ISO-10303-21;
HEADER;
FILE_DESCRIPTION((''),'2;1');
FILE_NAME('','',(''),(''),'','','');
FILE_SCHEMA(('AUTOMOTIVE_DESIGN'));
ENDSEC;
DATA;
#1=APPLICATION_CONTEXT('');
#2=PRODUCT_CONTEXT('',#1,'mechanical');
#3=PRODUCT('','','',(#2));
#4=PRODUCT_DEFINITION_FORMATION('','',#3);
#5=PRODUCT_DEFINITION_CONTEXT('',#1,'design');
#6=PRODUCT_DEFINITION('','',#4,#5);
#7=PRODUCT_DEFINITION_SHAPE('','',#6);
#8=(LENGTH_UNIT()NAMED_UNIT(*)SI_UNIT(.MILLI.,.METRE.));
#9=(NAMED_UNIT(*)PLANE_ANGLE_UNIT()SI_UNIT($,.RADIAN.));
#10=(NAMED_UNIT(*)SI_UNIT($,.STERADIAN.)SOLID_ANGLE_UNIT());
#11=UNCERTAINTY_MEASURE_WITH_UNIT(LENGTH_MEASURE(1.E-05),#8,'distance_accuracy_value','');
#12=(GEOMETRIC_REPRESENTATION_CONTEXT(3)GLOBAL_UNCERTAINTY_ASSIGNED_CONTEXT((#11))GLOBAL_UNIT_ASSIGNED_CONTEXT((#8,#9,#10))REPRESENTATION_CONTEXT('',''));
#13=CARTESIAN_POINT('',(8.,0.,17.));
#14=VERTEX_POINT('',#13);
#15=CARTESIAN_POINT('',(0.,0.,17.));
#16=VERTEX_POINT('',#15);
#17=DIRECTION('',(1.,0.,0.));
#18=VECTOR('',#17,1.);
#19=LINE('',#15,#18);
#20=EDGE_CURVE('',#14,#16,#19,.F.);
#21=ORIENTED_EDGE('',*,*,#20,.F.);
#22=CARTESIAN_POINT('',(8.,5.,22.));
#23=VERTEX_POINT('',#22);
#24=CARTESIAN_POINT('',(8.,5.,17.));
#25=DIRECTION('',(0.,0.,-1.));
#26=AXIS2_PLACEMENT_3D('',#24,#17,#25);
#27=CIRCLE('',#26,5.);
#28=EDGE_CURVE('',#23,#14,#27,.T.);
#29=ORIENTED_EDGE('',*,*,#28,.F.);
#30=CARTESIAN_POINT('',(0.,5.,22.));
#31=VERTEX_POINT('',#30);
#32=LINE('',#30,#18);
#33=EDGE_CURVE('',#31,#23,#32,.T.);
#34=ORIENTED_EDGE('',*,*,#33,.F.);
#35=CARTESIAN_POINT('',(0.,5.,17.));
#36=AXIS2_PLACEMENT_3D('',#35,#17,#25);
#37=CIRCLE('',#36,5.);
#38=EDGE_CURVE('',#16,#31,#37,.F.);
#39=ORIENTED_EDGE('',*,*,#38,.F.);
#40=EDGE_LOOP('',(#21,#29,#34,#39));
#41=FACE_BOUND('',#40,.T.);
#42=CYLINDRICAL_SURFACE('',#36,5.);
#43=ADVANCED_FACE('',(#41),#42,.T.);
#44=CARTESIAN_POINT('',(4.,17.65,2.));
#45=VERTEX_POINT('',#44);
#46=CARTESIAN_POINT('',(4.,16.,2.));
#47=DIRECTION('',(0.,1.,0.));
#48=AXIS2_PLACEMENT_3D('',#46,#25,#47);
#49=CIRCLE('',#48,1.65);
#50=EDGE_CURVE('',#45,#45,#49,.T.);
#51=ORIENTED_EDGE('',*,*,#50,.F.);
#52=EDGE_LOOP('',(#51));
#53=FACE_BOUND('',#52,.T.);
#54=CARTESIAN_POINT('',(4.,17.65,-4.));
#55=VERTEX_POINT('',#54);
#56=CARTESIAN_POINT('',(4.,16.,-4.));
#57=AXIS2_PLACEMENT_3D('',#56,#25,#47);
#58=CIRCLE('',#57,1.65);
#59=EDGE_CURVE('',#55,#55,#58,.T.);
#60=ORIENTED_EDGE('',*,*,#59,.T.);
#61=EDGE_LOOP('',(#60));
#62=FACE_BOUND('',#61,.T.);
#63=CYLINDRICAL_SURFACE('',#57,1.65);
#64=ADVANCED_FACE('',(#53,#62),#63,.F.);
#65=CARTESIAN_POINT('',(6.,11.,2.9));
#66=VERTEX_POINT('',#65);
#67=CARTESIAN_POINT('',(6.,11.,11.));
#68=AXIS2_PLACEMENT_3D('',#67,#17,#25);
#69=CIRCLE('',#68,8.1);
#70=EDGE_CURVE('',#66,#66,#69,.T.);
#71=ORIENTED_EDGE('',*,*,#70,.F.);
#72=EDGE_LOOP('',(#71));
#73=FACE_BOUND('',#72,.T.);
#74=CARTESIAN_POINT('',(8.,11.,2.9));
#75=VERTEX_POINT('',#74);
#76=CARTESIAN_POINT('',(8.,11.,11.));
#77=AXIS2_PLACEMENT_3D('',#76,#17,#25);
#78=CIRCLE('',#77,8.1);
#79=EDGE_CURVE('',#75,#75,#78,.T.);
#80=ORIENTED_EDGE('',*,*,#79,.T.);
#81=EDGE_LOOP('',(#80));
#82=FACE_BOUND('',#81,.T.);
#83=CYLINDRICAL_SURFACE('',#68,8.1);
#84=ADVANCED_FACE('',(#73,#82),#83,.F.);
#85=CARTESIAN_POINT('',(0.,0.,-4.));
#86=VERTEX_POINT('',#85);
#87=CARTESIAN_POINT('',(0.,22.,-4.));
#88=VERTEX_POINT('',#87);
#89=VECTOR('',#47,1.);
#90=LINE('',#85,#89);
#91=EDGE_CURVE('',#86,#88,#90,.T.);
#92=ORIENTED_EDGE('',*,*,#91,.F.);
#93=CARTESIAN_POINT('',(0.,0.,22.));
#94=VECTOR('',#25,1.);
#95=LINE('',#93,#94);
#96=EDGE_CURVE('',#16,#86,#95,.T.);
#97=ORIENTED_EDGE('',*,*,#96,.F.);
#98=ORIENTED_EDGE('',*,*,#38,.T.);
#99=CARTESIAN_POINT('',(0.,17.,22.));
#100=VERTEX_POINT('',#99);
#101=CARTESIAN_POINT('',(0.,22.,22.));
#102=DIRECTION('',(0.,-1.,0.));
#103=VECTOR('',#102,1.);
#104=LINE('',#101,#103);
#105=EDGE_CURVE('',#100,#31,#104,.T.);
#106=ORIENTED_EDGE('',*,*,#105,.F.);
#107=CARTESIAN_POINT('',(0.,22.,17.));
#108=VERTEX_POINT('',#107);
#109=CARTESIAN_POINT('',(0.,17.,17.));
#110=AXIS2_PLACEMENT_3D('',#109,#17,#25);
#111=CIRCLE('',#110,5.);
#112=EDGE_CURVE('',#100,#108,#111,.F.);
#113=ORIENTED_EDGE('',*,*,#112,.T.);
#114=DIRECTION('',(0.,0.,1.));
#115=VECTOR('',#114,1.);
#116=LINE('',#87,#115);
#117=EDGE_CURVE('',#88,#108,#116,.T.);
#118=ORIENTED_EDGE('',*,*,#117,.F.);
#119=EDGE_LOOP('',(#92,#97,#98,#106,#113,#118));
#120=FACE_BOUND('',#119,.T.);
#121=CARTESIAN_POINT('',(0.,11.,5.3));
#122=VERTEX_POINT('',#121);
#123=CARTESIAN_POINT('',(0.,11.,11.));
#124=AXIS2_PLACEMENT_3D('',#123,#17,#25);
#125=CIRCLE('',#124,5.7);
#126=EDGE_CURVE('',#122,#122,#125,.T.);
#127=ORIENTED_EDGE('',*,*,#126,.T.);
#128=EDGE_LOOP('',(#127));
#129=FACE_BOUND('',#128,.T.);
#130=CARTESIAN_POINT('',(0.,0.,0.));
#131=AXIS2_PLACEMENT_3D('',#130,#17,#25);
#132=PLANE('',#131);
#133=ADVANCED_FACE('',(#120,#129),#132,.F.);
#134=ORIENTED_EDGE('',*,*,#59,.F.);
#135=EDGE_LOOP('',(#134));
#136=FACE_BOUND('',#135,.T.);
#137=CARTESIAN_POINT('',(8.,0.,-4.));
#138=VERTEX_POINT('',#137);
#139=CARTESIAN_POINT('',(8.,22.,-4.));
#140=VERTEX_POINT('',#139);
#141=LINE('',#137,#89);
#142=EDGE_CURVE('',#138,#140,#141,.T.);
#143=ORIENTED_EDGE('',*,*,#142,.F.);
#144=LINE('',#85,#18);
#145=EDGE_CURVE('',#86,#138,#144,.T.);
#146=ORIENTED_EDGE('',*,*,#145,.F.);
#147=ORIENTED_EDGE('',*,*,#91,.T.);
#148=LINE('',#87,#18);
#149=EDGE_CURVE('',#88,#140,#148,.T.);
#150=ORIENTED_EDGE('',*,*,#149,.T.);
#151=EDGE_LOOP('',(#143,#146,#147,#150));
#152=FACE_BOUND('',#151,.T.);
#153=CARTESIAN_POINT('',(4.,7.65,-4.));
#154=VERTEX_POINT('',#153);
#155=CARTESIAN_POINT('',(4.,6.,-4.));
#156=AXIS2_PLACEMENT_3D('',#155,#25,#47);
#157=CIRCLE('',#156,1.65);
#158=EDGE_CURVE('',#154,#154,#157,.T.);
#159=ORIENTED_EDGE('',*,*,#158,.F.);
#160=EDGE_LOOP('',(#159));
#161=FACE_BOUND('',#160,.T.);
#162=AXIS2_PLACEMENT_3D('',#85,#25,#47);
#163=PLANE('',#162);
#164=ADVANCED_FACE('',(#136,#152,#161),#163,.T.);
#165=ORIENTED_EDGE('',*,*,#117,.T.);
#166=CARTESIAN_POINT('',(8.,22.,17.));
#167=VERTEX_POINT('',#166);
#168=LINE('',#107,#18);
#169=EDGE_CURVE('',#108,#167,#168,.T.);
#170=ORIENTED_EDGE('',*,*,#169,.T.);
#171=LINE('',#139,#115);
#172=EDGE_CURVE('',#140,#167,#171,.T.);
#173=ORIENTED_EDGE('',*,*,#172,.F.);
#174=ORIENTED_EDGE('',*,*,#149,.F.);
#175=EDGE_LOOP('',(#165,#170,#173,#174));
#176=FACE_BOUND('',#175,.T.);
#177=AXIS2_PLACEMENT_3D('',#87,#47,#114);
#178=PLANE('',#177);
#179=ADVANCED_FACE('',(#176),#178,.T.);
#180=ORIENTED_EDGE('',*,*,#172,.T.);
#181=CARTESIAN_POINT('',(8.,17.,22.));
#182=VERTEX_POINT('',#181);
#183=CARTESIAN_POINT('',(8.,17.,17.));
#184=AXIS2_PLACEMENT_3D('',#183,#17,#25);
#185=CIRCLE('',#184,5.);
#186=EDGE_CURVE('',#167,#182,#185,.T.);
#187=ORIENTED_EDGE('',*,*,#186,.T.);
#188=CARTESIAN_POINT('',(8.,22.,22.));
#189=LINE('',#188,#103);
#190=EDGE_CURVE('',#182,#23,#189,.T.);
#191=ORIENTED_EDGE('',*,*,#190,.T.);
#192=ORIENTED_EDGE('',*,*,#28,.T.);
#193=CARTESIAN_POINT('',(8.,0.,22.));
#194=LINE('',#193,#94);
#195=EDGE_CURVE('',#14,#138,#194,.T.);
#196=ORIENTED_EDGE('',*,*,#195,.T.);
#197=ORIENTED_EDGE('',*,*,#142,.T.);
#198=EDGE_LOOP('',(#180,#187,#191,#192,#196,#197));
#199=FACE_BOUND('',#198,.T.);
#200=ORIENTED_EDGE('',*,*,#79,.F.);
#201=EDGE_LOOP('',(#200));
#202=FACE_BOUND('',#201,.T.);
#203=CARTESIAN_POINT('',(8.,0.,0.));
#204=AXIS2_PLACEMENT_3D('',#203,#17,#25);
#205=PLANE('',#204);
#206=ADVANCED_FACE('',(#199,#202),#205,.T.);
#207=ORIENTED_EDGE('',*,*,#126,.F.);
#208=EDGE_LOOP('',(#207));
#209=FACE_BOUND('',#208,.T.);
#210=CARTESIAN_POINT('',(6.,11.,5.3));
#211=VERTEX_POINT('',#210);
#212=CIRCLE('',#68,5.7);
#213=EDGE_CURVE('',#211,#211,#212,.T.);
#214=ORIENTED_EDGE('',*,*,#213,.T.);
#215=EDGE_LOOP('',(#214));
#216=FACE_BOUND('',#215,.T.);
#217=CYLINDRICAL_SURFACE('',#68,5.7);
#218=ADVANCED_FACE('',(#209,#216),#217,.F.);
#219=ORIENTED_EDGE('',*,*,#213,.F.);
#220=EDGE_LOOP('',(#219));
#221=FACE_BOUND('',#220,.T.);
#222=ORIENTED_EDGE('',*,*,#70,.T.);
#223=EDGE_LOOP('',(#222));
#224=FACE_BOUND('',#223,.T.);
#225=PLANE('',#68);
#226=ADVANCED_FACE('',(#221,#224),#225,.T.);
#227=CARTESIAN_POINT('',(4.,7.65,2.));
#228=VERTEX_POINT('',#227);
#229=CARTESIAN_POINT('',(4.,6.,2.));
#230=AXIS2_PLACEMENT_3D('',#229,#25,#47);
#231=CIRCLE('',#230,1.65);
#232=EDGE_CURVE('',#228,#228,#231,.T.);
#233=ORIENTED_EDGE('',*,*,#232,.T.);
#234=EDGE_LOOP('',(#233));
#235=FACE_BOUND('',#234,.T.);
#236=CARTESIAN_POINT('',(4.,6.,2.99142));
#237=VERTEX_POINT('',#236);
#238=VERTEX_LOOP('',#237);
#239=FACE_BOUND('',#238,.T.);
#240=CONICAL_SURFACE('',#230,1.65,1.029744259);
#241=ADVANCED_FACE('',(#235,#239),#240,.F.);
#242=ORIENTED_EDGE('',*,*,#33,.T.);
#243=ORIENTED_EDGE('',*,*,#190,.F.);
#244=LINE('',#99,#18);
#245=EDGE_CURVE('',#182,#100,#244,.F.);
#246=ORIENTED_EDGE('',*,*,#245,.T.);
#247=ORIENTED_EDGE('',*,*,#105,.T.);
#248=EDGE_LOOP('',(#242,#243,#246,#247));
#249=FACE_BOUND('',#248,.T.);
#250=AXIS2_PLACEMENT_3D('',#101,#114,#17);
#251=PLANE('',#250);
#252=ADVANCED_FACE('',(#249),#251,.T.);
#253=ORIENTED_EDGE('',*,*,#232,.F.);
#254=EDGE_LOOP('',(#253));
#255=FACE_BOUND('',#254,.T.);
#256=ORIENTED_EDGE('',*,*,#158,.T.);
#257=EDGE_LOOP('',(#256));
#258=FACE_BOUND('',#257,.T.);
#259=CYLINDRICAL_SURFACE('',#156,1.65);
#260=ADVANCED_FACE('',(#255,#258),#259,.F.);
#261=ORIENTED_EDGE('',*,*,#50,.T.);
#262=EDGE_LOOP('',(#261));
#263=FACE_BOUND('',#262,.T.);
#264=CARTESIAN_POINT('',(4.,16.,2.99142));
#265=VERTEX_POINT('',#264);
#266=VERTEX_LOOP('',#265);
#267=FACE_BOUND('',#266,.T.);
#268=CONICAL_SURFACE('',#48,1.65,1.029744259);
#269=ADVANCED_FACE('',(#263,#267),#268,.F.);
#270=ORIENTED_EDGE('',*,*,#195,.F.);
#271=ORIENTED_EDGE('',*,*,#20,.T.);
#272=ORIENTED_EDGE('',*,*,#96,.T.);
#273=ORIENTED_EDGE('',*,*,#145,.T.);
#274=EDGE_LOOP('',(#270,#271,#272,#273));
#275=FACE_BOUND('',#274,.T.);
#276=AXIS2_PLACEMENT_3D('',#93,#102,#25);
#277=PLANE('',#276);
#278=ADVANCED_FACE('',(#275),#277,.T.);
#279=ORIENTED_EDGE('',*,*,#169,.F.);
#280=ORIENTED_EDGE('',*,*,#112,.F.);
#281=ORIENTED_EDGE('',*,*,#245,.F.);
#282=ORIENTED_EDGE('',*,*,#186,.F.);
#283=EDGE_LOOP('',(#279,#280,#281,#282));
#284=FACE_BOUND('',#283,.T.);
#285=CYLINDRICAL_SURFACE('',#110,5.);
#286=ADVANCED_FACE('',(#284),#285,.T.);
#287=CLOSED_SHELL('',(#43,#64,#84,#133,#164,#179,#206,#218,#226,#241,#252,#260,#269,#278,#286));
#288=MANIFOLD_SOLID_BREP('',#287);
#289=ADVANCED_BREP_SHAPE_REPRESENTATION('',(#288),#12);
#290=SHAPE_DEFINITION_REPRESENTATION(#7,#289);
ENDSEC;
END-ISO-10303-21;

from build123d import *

# Parameters (mm, degrees)
SKETCH1_W                      = 26
SKETCH1_H                      = 22
BOSS_EXTRUDE1_DEPTH            = 8
SKETCH2_R                      = 8.1
CUT_EXTRUDE1_DEPTH             = 2
F_3_3_3_3_DIAMETER_HOLE1_D     = 3.3
F_3_3_3_3_DIAMETER_HOLE1_DEPTH = 6
F_3_3_3_3_DIAMETER_HOLE1_TIP   = 0.991420021
M10_CLEARANCE_HOLE1_D          = 11.4
FILLET1_R                      = 5


with BuildPart() as part:
    # Sketch1 → Boss-Extrude1 (new body)
    with BuildSketch(Plane(origin=(8, 0, 0), x_dir=(0, 0, -1), z_dir=(1, 0, 0))):
        with Locations((-9, 11)):
            Rectangle(SKETCH1_W, SKETCH1_H)
    extrude(amount=-BOSS_EXTRUDE1_DEPTH)

    # Sketch2 → Cut-Extrude1 (cut)
    with BuildSketch(Plane(origin=(8, 0, 0), x_dir=(0, 0, -1), z_dir=(1, 0, 0))):
        with Locations((-11, 11)):
            Circle(SKETCH2_R)
    extrude(amount=-CUT_EXTRUDE1_DEPTH, mode=Mode.SUBTRACT)

    # Ø3.3 (3.3) Diameter Hole1
    with Locations(Plane(origin=(0, 0, -4), x_dir=(-1, 0, 0), z_dir=(0, 0, -1))):
        with Locations((-4, 16), (-4, 6)):
            Hole(F_3_3_3_3_DIAMETER_HOLE1_D / 2, depth=F_3_3_3_3_DIAMETER_HOLE1_DEPTH)
            with Locations((0, 0, -(F_3_3_3_3_DIAMETER_HOLE1_DEPTH + F_3_3_3_3_DIAMETER_HOLE1_TIP / 2))):  # 118° drill point
                Cone(0, F_3_3_3_3_DIAMETER_HOLE1_D / 2, F_3_3_3_3_DIAMETER_HOLE1_TIP, mode=Mode.SUBTRACT)

    # M10 Clearance Hole1 (through all)
    with Locations(Plane(origin=(6, 0, 0), x_dir=(0, 0, -1), z_dir=(1, 0, 0))):
        with Locations((-11, 11)):
            Hole(M10_CLEARANCE_HOLE1_D / 2)

    # Fillet1
    fillet1_edges = [part.edges().sort_by_distance(p)[0] for p in [
        (4, 0, 22),
        (4, 22, 22),
    ]]
    fillet(fillet1_edges, radius=FILLET1_R)


solid = part.part
